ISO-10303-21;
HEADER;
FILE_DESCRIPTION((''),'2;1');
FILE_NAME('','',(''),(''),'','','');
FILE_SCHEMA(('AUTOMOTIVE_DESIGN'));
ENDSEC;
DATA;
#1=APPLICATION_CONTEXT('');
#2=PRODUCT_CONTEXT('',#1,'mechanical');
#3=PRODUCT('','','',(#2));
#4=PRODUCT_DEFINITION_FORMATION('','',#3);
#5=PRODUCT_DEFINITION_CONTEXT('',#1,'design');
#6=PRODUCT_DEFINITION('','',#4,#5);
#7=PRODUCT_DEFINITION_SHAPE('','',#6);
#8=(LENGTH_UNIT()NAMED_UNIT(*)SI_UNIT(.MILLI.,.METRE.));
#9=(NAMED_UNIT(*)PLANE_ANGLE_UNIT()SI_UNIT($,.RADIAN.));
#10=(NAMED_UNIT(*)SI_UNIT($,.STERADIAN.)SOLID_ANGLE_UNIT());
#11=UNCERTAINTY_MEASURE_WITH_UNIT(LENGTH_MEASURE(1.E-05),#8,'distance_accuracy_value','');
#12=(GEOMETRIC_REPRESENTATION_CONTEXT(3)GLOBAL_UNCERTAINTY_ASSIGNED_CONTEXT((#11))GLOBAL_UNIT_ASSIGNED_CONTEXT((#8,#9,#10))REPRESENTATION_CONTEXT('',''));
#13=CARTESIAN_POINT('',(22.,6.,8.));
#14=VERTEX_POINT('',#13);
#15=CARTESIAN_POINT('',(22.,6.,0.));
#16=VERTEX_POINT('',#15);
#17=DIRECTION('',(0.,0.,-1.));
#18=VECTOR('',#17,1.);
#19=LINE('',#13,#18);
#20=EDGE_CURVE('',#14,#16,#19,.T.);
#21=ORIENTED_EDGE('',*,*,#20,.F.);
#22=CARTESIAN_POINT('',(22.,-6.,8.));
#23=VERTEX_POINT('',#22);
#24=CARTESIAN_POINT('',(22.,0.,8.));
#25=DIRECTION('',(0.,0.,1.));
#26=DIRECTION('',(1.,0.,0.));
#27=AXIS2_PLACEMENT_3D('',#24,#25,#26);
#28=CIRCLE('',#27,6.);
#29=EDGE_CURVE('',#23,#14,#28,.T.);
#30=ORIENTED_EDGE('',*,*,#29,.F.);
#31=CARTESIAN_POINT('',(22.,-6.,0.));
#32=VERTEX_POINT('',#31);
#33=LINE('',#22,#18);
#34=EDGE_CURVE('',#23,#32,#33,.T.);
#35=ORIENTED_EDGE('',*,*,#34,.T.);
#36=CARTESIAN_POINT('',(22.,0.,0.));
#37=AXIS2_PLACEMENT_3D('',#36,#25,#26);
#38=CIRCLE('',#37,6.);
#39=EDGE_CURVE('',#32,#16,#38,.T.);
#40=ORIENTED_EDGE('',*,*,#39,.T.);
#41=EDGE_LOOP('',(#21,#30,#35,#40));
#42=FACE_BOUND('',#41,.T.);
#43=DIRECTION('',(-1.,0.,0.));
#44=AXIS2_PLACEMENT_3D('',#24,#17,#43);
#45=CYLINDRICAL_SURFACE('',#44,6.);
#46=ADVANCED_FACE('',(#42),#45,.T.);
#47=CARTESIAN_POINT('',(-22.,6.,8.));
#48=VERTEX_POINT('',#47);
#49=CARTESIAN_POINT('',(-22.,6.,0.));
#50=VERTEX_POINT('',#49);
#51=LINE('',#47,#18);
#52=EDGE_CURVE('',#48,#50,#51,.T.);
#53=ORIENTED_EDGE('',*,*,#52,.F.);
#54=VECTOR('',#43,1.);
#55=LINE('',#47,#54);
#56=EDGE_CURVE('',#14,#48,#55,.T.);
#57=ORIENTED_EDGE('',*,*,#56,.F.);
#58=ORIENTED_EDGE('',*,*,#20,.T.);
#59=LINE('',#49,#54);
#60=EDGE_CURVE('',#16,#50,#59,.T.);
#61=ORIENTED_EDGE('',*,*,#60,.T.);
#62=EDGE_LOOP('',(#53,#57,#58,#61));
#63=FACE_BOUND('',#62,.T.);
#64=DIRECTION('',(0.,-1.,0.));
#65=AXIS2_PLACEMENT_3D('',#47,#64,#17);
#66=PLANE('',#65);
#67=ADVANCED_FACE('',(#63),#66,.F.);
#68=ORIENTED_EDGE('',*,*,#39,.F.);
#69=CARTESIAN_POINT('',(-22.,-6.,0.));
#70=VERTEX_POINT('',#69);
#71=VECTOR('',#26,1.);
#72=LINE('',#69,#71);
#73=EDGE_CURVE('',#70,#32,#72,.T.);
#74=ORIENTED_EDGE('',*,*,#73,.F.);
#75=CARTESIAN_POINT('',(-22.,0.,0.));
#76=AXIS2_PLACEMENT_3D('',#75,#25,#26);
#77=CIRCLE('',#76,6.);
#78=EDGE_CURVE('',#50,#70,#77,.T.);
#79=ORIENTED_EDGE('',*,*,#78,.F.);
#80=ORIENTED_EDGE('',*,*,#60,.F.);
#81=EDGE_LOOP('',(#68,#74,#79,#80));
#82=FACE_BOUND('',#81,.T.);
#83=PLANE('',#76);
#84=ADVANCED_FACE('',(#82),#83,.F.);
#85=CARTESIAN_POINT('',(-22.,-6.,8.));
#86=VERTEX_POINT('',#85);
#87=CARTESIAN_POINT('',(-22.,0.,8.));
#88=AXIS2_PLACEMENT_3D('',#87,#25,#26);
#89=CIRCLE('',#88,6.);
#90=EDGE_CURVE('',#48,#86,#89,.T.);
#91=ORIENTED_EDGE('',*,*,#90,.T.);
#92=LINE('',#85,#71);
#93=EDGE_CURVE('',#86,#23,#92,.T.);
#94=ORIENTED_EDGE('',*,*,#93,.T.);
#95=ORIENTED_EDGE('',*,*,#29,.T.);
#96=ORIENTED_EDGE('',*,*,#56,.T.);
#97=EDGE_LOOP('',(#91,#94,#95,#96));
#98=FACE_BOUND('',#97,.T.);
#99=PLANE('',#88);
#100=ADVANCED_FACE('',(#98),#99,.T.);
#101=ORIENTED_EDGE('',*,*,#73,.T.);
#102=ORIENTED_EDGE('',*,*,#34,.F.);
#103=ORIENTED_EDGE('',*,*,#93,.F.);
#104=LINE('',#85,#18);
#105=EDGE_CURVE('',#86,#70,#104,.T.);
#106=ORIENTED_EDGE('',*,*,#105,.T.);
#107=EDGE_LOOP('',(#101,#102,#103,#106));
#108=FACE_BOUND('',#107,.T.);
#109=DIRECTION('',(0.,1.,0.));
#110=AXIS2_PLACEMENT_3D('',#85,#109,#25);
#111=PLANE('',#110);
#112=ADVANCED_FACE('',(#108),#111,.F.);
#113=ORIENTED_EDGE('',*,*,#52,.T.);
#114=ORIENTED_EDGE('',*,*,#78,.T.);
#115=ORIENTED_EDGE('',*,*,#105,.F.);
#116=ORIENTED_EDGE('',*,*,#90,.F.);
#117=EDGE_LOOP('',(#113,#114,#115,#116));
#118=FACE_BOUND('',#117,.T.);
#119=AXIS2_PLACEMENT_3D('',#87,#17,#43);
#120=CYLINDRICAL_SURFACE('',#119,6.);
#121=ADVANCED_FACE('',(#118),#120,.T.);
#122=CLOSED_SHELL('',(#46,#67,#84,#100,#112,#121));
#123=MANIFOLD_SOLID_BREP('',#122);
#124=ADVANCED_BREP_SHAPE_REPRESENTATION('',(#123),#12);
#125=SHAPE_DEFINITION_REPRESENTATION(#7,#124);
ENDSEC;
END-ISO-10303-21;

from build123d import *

# Parameters (mm, degrees)
EXTRUDE1_DEPTH = 8


with BuildPart() as part:
    # Sketch1 → Extrude1 (new body)
    with BuildSketch(Plane.XY):
        with BuildLine():
            Line((-22, 6), (22, 6))
            ThreePointArc((22, 6), (28, 0), (22, -6))
            Line((22, -6), (-22, -6))
            ThreePointArc((-22, -6), (-28, 0), (-22, 6))
        make_face()
    extrude(amount=EXTRUDE1_DEPTH)


solid = part.part
